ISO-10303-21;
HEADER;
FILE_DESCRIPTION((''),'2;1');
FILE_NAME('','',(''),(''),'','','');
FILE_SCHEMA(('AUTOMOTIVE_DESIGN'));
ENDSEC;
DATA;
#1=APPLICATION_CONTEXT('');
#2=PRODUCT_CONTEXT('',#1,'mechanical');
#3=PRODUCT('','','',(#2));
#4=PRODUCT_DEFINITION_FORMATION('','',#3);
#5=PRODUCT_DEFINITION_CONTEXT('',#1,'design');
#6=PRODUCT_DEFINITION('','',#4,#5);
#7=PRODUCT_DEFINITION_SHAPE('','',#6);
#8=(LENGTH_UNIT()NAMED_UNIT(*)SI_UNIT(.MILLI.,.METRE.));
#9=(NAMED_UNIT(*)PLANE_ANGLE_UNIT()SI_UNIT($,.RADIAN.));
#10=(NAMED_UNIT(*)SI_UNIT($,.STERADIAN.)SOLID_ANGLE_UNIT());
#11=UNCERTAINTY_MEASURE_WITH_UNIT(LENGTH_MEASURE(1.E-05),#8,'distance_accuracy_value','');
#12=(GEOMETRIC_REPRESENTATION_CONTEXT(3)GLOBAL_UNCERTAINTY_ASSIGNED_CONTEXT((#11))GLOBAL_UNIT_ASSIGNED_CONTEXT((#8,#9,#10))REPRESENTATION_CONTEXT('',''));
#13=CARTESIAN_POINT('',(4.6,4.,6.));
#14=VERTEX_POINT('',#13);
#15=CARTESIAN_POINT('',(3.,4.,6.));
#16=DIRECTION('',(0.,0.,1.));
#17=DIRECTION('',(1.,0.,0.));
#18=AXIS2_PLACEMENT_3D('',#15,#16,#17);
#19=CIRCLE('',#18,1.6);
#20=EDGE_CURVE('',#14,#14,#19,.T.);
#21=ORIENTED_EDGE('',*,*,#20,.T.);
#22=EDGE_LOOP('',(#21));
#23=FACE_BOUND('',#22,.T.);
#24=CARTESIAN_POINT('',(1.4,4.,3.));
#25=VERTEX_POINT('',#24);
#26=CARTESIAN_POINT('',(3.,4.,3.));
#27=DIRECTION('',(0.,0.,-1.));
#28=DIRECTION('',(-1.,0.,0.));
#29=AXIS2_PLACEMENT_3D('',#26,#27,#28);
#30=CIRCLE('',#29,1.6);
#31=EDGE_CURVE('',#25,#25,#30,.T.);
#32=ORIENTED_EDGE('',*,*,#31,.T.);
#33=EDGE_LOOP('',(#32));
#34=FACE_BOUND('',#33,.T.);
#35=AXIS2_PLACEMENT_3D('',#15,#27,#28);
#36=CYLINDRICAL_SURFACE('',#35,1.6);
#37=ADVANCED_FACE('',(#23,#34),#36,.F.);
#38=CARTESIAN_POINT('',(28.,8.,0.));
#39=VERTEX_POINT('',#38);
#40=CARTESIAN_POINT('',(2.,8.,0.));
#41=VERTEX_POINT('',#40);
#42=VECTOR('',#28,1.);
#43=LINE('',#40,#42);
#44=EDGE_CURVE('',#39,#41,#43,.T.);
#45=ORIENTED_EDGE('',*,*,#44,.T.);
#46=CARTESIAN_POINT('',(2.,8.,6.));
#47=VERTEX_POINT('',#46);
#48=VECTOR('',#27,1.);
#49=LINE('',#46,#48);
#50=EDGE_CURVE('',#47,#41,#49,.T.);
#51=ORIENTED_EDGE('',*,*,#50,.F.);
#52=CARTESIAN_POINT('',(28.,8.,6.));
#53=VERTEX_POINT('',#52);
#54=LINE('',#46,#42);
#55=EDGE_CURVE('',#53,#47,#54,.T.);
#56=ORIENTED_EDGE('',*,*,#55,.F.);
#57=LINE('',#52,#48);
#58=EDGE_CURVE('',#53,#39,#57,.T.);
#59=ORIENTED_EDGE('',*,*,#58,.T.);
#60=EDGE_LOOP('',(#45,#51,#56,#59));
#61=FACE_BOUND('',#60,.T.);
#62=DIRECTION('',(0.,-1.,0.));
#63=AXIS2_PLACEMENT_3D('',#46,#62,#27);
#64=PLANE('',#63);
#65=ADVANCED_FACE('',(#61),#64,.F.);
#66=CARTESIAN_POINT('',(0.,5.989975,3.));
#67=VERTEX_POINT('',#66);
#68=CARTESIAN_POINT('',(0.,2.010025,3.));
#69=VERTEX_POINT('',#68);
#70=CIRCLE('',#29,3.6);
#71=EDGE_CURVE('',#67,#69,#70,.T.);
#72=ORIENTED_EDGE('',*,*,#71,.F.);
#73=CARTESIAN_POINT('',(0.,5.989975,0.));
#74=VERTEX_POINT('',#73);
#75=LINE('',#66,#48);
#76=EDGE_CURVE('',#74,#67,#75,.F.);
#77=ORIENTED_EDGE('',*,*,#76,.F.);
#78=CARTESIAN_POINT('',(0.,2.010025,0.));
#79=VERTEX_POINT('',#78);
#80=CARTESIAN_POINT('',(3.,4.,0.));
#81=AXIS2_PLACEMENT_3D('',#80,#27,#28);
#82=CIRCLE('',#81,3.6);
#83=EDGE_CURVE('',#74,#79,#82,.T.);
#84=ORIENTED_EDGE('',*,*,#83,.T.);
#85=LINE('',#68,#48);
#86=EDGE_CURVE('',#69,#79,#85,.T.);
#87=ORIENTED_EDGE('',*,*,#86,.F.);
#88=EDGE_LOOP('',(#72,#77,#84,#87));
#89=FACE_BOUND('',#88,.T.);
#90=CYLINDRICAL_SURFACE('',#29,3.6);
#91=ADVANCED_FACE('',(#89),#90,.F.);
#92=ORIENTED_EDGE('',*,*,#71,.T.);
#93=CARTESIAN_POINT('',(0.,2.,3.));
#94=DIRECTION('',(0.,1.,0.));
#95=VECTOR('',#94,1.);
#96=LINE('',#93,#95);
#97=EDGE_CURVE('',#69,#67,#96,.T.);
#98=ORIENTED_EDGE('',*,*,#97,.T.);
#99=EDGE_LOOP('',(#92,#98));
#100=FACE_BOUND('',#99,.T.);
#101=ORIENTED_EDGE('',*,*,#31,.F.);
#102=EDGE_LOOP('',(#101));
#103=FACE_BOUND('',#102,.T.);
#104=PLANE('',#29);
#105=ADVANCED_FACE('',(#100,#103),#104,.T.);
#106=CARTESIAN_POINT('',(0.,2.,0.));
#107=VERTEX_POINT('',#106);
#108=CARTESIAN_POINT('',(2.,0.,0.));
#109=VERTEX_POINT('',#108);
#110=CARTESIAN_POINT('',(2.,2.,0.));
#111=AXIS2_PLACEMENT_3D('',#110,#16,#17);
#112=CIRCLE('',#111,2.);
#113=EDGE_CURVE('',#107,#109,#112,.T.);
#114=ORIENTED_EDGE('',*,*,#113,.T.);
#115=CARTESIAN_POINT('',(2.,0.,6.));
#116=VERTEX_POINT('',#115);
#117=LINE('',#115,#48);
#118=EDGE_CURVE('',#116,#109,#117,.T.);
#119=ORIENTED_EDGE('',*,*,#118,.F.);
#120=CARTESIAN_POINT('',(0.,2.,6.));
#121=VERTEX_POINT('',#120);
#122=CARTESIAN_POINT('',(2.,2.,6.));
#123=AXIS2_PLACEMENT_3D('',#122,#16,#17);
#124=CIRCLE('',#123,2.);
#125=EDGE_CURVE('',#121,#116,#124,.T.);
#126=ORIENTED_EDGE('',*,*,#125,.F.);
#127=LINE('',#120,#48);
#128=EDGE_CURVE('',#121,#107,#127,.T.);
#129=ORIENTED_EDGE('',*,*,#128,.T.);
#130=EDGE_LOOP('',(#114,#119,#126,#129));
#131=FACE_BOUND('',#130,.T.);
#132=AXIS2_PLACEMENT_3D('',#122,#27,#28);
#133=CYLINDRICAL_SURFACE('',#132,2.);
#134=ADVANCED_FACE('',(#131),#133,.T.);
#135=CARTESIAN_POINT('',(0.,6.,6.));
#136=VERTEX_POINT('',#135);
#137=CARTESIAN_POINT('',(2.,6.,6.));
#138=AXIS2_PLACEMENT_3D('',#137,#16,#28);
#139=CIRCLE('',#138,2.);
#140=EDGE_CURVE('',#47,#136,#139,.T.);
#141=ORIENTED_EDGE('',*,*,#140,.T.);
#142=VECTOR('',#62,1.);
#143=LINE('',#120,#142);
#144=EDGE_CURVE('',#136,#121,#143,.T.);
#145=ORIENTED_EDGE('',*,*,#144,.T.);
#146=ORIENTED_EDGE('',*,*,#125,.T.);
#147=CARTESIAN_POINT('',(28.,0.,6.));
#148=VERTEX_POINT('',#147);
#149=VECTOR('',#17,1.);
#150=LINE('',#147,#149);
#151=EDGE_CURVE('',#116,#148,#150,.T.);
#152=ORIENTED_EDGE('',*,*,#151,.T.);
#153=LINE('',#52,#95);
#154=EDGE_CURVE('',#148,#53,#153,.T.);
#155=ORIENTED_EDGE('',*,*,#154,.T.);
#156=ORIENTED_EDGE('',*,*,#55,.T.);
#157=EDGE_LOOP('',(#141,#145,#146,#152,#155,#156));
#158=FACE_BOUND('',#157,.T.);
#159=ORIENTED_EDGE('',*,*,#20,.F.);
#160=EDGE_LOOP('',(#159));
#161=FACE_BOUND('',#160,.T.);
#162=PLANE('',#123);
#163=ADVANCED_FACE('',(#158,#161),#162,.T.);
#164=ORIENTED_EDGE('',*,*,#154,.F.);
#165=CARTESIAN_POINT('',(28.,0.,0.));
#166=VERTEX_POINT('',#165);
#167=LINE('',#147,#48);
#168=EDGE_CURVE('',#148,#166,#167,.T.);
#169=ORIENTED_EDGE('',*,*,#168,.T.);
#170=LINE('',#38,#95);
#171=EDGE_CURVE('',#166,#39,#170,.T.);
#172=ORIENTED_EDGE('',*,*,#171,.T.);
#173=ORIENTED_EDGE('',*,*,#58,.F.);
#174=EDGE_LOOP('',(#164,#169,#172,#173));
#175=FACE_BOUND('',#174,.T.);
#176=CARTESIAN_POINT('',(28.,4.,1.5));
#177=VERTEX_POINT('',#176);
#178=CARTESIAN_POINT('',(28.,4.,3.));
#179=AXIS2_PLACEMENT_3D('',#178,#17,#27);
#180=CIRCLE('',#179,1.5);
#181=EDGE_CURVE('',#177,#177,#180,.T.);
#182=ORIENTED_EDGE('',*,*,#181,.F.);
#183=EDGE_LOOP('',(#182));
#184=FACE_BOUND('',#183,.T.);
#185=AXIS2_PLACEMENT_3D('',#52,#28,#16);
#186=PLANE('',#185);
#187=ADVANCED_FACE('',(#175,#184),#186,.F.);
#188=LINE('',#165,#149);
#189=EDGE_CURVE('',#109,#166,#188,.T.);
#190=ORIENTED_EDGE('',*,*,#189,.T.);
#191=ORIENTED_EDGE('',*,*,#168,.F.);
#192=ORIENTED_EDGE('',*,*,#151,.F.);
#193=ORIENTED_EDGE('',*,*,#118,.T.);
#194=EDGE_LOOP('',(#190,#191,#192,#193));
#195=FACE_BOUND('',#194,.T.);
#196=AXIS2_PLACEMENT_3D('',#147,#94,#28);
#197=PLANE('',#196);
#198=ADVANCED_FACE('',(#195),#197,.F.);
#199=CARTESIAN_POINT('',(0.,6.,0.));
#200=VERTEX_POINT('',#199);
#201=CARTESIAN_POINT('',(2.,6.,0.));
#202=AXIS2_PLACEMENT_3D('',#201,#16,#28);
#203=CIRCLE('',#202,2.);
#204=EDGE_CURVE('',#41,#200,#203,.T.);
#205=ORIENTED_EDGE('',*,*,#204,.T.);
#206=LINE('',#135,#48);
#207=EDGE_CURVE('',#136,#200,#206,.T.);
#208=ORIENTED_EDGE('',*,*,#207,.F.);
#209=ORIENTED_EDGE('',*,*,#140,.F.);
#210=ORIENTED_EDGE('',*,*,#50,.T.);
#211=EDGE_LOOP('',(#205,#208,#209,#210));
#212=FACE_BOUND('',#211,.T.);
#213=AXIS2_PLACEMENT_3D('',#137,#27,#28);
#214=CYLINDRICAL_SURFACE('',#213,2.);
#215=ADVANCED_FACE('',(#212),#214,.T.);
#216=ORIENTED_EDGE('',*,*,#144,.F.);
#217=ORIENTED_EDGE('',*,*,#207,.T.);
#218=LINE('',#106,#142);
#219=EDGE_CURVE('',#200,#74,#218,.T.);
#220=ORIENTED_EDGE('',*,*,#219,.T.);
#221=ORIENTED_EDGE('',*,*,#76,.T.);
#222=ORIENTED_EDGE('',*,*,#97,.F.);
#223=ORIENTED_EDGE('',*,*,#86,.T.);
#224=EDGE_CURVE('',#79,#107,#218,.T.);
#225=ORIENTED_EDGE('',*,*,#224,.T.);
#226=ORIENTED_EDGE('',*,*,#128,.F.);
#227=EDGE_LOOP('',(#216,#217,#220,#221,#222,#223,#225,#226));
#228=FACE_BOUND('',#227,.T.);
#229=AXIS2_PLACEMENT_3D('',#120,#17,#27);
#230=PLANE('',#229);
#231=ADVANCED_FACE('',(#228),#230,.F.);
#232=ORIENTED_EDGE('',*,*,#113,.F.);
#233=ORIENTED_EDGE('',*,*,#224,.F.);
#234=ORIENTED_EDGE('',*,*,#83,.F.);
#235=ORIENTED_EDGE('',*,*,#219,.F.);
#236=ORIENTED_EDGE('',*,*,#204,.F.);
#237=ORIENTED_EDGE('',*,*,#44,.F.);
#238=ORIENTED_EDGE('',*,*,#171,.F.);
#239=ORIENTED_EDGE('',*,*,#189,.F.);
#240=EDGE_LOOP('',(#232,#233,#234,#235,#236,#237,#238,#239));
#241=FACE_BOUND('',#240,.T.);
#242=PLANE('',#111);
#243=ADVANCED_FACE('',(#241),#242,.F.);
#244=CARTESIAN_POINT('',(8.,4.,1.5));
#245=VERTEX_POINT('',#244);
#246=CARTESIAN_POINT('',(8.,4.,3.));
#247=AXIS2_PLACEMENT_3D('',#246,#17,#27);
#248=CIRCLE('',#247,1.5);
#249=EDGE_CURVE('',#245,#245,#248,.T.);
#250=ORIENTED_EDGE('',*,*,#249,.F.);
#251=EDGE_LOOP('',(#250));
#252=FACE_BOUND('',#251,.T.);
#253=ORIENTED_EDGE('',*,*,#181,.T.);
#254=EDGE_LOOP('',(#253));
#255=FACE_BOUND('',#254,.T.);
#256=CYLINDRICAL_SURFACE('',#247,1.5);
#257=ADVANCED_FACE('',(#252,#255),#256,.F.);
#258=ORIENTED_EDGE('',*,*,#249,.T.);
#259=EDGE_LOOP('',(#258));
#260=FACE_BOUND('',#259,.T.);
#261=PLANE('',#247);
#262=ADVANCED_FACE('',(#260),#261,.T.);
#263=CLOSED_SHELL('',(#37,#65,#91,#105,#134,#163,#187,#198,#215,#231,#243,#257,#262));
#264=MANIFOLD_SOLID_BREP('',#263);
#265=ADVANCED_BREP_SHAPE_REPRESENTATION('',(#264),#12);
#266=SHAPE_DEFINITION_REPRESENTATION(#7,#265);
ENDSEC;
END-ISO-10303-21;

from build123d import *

# Parameters (mm, degrees)
SKETCH_2_R          = 1.6
EXTRUDE_1_DEPTH     = 6
SKETCH_3_R          = 1.5
CUT_EXTRUDE_1_DEPTH = 20
SKETCH_4_R          = 3.6
CUT_EXTRUDE_2_DEPTH = 3


with BuildPart() as part:
    # 草图2 → 凸台-拉伸1 (new body)
    with BuildSketch(Plane.XY):
        with BuildLine():
            Line((0, 2), (0, 6))
            ThreePointArc((0, 6), (0.585786438, 7.414213562), (2, 8))
            Line((2, 8), (28, 8))
            Line((28, 8), (28, 0))
            Line((28, 0), (2, 0))
            ThreePointArc((2, 0), (0.585786438, 0.585786438), (0, 2))
        make_face()
        with Locations((3, 4)):
            Circle(SKETCH_2_R, mode=Mode.SUBTRACT)
    extrude(amount=EXTRUDE_1_DEPTH)

    # 草图3 → 切除-拉伸1 (cut)
    with BuildSketch(Plane(origin=(28, 0, 0), x_dir=(0, 0, -1), z_dir=(1, 0, 0))):
        with Locations((-3, 4)):
            Circle(SKETCH_3_R)
    extrude(amount=-CUT_EXTRUDE_1_DEPTH, mode=Mode.SUBTRACT)

    # 草图4 → 切除-拉伸2 (cut)
    with BuildSketch(Plane(origin=(0, 0, 0), x_dir=(-1, 0, 0), z_dir=(0, 0, -1))):
        with Locations((-3, 4)):
            Circle(SKETCH_4_R)
    extrude(amount=-CUT_EXTRUDE_2_DEPTH, mode=Mode.SUBTRACT)


solid = part.part
